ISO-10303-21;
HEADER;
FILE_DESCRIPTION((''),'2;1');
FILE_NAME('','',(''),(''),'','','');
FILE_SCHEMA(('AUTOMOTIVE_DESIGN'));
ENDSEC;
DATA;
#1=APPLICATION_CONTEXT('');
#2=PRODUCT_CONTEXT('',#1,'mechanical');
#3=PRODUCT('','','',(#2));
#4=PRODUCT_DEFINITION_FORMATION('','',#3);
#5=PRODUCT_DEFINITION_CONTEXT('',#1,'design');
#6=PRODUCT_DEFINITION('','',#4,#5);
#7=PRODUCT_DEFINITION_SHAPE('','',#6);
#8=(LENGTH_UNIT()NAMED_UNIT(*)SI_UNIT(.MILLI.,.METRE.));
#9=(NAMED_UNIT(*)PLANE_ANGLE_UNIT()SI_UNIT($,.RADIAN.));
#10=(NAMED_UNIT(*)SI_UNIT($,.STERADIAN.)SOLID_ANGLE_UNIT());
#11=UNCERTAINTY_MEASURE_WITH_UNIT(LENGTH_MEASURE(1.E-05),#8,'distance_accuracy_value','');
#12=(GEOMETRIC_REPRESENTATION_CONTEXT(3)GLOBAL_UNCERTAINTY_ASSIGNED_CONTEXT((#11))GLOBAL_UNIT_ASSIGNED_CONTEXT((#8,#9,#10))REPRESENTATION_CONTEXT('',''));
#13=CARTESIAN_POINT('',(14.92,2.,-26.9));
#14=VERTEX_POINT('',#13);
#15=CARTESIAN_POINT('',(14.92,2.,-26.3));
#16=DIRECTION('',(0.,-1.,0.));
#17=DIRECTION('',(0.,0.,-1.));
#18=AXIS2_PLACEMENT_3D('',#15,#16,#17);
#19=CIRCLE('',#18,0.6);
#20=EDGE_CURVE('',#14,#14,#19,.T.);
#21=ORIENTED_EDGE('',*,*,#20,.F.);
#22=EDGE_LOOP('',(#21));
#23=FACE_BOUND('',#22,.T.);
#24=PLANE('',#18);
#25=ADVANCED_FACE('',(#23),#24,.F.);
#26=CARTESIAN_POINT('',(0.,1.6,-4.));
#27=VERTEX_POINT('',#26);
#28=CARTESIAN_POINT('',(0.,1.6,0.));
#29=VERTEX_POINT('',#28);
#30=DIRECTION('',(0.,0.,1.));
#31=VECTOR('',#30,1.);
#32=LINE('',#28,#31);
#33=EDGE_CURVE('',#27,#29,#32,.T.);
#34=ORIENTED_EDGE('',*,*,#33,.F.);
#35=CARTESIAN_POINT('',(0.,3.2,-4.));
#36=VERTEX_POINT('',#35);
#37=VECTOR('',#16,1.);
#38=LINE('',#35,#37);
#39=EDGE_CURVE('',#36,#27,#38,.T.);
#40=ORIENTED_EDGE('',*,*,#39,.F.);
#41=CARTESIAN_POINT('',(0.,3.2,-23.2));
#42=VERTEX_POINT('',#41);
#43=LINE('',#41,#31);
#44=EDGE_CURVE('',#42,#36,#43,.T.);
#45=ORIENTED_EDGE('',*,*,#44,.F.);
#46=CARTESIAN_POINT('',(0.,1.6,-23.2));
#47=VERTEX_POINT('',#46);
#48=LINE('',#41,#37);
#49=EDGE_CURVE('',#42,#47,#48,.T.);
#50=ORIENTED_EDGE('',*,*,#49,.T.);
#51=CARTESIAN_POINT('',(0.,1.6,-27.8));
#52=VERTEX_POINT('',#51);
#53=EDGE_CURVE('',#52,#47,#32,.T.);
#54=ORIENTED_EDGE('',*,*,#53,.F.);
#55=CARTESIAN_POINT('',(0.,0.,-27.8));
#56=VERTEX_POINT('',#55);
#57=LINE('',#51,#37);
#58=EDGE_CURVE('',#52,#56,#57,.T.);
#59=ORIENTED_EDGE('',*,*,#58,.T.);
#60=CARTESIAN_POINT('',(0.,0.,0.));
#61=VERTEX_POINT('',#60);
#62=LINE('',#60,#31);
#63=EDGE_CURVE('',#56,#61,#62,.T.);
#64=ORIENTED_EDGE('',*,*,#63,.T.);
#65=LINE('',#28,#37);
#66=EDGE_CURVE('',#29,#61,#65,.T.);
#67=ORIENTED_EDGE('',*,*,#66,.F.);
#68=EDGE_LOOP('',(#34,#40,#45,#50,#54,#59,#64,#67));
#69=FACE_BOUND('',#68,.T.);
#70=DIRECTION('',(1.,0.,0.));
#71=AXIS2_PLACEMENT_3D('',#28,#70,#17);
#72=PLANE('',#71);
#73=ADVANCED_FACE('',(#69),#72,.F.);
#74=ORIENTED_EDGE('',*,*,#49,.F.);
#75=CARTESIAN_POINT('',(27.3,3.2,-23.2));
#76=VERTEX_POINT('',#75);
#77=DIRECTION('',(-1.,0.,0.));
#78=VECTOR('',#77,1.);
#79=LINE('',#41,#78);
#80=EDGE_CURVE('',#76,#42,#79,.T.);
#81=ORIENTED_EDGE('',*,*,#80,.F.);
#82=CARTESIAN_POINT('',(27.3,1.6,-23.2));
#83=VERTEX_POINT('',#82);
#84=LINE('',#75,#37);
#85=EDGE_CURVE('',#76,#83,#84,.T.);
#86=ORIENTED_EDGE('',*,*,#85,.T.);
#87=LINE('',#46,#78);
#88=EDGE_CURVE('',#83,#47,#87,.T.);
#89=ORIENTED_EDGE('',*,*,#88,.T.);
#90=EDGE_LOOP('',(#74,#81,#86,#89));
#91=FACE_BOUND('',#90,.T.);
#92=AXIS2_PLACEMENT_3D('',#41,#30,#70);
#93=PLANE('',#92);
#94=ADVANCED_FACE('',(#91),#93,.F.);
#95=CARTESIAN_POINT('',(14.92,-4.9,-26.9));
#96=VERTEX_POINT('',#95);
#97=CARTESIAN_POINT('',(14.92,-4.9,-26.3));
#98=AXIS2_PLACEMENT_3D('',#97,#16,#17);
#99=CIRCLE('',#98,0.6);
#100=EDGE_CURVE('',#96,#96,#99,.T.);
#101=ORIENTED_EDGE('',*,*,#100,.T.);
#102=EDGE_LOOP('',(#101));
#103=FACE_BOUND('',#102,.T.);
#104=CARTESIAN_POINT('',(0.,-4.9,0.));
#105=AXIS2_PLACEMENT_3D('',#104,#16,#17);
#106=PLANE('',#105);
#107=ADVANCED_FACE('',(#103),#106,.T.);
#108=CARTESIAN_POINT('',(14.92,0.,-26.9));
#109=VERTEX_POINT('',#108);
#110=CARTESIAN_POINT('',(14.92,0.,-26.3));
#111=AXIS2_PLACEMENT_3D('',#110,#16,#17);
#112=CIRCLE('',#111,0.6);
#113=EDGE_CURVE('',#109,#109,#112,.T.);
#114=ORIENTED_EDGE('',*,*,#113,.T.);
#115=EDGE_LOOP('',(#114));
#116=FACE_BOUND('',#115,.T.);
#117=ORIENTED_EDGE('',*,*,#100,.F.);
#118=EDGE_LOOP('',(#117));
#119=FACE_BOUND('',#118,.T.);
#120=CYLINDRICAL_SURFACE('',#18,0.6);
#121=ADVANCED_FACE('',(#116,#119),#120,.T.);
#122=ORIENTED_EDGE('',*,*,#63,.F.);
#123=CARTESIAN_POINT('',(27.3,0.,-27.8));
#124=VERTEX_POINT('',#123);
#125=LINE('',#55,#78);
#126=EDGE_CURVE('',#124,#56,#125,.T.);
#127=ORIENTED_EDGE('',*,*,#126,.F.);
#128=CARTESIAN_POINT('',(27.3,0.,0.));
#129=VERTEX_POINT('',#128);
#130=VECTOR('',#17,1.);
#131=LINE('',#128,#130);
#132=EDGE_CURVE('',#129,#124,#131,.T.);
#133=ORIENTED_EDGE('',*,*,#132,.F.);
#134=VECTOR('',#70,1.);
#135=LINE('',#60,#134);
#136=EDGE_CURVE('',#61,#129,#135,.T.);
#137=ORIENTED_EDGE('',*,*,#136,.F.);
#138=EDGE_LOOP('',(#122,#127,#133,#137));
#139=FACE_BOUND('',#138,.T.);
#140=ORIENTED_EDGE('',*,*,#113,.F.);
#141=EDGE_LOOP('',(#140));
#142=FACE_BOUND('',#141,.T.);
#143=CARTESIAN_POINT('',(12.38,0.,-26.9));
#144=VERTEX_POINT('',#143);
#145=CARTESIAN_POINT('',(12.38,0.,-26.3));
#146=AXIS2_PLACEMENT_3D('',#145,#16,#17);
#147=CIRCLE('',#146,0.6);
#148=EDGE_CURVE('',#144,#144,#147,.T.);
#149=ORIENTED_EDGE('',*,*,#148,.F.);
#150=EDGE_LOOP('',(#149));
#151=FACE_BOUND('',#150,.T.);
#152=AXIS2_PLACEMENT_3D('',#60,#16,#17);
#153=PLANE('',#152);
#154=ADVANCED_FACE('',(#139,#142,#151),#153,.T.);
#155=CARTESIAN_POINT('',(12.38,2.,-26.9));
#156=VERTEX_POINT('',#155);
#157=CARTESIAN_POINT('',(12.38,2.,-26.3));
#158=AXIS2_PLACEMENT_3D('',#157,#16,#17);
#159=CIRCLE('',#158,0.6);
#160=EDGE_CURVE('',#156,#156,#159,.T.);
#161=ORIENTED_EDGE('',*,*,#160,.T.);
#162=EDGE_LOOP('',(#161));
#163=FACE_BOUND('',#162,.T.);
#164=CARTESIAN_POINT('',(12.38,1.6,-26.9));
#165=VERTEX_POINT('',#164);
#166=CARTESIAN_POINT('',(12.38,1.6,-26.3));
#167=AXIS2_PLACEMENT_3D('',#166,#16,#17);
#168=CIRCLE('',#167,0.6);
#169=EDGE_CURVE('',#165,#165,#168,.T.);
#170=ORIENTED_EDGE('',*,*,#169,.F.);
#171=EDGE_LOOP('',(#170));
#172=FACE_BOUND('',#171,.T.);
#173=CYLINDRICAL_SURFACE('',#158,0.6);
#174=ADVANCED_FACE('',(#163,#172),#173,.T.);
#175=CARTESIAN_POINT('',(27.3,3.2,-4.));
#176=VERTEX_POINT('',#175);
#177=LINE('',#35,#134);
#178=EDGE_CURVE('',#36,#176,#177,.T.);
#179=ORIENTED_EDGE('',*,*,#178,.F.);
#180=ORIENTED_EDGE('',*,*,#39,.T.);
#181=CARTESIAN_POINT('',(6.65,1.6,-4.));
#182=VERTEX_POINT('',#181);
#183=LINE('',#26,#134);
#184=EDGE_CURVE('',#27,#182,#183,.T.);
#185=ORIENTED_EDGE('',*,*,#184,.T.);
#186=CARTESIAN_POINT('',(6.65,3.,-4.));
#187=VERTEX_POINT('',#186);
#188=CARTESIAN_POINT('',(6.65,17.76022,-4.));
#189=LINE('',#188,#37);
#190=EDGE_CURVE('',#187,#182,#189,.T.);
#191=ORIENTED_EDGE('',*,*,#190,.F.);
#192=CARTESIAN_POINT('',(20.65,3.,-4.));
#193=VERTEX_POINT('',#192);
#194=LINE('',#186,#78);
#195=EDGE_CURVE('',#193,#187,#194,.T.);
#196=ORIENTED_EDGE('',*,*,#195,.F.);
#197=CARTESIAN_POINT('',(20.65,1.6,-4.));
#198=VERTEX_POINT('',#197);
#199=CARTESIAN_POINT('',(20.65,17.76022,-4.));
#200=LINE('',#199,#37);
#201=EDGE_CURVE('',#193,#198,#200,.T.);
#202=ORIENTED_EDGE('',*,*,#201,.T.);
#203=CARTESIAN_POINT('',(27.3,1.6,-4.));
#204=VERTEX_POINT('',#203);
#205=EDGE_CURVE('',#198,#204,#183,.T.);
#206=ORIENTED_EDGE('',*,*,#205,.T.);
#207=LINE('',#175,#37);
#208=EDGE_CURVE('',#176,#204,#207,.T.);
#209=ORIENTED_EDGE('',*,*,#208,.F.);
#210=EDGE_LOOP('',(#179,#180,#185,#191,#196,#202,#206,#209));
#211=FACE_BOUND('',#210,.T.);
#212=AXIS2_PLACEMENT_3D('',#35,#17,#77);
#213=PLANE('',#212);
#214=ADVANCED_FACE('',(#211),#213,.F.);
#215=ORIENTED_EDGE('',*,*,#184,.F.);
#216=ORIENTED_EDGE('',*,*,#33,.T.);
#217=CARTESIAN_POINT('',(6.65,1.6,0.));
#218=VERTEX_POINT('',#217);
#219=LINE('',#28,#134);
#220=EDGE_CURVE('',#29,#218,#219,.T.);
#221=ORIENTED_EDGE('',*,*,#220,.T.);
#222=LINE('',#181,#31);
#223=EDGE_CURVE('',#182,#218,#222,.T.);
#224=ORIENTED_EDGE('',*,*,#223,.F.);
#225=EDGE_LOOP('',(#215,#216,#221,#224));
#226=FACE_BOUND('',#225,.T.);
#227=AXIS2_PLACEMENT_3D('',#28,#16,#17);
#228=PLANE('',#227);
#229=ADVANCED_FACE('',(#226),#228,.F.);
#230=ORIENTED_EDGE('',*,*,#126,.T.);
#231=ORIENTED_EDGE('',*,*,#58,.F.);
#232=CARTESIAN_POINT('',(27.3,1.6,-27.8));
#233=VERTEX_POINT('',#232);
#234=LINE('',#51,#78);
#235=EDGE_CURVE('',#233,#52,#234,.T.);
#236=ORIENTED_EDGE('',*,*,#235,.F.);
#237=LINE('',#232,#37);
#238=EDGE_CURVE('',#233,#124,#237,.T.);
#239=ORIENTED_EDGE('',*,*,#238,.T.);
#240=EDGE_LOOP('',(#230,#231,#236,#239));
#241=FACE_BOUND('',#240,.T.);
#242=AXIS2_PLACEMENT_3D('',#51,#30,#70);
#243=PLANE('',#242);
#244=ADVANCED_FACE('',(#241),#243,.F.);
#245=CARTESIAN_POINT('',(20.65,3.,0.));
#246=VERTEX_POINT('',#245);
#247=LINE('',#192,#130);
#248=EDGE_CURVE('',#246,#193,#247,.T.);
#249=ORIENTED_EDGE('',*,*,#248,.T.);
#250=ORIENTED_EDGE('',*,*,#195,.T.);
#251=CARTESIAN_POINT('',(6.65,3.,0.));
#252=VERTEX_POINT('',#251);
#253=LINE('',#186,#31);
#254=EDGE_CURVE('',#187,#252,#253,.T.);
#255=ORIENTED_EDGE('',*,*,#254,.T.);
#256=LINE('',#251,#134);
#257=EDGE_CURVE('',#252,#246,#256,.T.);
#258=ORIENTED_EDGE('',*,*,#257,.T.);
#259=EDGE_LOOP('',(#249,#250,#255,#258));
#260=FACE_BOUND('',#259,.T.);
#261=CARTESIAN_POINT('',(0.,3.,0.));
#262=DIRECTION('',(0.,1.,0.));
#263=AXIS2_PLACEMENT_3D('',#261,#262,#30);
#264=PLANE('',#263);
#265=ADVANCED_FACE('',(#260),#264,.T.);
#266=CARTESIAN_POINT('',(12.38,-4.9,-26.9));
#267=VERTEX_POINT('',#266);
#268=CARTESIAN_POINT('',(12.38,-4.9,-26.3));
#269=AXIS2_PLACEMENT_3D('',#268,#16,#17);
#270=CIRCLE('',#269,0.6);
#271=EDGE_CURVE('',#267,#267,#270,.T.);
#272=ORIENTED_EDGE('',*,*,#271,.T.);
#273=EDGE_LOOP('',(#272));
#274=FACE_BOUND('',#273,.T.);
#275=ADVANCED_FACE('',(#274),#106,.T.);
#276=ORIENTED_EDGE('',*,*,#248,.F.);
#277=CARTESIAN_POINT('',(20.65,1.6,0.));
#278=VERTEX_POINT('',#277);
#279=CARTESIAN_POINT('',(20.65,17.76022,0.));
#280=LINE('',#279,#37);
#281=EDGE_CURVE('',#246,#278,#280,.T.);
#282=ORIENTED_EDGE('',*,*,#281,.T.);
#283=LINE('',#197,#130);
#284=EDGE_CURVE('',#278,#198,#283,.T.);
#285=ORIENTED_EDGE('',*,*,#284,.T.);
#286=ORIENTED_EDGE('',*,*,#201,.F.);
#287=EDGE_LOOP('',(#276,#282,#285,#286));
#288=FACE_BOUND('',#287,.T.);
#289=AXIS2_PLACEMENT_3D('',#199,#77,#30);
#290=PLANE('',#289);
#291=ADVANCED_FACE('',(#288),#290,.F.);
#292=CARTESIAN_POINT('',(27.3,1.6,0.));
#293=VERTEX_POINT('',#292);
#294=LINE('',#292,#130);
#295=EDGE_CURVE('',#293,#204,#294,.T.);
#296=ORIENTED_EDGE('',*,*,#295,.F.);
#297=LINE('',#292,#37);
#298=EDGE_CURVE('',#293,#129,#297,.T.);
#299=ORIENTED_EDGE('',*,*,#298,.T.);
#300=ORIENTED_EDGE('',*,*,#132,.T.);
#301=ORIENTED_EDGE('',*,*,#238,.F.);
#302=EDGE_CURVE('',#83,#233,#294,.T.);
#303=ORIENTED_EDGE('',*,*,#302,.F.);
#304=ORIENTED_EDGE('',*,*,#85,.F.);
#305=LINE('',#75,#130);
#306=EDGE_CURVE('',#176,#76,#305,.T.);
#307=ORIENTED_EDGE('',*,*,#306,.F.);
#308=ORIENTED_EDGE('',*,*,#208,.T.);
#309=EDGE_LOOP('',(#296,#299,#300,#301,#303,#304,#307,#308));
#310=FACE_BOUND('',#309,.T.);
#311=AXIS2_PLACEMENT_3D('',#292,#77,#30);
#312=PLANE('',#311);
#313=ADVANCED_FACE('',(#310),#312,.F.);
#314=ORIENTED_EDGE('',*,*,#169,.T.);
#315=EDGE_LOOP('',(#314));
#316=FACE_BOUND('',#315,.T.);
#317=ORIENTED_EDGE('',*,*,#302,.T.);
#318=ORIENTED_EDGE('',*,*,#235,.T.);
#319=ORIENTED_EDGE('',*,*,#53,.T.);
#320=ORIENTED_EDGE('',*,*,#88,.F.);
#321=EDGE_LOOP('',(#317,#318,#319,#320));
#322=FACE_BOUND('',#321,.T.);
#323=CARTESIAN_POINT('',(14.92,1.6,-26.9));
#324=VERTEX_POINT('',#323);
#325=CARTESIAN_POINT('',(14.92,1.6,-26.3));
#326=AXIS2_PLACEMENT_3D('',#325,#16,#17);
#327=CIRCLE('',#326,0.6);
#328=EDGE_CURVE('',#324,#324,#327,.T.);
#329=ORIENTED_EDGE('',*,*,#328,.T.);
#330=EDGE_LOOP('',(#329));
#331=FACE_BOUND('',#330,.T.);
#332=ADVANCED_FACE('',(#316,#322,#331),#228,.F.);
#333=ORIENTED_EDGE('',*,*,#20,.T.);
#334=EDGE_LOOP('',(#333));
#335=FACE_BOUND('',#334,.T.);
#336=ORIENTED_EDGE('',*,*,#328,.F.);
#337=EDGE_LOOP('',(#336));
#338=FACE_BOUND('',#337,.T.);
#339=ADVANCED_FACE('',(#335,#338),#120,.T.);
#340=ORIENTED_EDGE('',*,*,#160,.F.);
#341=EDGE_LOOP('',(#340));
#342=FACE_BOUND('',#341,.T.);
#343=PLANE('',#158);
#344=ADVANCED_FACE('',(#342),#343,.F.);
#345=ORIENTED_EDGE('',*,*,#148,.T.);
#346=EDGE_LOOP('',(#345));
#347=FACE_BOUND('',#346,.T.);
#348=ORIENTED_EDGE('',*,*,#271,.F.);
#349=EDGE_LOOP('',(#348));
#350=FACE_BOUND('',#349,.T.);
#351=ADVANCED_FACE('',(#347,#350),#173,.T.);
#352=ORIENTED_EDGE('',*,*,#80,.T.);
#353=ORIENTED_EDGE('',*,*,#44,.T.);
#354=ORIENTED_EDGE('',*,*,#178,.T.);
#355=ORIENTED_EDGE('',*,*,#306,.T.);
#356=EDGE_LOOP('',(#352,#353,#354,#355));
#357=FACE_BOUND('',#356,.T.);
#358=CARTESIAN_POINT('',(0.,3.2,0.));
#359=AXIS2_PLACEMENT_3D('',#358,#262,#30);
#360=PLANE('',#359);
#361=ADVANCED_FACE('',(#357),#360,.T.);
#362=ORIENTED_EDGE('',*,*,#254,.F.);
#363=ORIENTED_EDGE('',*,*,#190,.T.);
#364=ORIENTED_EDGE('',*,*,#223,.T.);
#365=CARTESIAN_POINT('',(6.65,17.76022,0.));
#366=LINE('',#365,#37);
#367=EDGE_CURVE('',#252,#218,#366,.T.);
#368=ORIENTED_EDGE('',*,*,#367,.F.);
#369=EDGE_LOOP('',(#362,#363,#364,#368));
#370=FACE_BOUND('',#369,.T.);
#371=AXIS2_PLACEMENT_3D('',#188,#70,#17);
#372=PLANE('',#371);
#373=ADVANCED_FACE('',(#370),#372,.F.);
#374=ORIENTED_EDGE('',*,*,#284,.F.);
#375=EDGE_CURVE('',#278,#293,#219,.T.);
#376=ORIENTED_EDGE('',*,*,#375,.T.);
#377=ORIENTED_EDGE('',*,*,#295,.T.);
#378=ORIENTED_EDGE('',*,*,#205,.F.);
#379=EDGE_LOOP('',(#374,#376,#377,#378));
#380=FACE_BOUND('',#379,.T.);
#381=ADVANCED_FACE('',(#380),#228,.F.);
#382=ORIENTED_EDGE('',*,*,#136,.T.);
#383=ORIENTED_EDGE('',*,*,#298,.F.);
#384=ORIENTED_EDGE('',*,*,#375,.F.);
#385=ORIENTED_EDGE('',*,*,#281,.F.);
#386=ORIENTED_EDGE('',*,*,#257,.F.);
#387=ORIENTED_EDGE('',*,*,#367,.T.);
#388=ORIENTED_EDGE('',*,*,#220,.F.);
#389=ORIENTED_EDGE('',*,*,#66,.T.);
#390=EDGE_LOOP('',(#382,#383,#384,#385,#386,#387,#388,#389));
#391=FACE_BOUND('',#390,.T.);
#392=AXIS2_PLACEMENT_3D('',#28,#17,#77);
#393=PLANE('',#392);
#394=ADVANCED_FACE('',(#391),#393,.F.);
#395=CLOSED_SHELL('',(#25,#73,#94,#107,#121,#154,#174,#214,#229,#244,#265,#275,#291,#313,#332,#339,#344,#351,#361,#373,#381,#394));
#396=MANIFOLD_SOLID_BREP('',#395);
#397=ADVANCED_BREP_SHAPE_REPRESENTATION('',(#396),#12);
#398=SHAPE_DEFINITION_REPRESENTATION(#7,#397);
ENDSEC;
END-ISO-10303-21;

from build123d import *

# Parameters (mm, degrees)
SKETCH_1_W           = 27.3
SKETCH_1_H           = 27.8
EXTRUDE_1_DEPTH      = 1.6
SKETCH_2_R           = 0.6
EXTRUDE_2_DEPTH      = 4.9
EXTRUDE_2_DEPTH_BACK = 2
SKETCH_3_W           = 27.3
SKETCH_3_H           = 19.2
EXTRUDE_3_DEPTH      = 1.6
SKETCH_4_W           = 14
SKETCH_4_H           = 4
EXTRUDE_4_DEPTH      = 1.4


with BuildPart() as part:
    # 草图1 → 凸台-拉伸1 (new body)
    with BuildSketch(Plane(origin=(0, 0, 0), x_dir=(1, 0, 0), z_dir=(0, 1, 0))):
        with Locations((13.65, 13.9)):
            Rectangle(SKETCH_1_W, SKETCH_1_H)
    extrude(amount=EXTRUDE_1_DEPTH)

    # 草图2 → 凸台-拉伸2 (add, two sides)
    with BuildSketch(Plane.XZ) as extrude_2_sk:
        with Locations((14.92, -26.3)):
            Circle(SKETCH_2_R)
        with Locations((12.38, -26.3)):
            Circle(SKETCH_2_R)
    extrude(amount=EXTRUDE_2_DEPTH)
    extrude(extrude_2_sk.sketch, amount=-EXTRUDE_2_DEPTH_BACK)

    # 草图3 → 凸台-拉伸3 (add)
    with BuildSketch(Plane(origin=(0, 1.6, 0), x_dir=(1, 0, 0), z_dir=(0, 1, 0))):
        with Locations((13.65, 13.6)):
            Rectangle(SKETCH_3_W, SKETCH_3_H)
    extrude(amount=EXTRUDE_3_DEPTH)

    # 草图4 → 凸台-拉伸4 (add)
    with BuildSketch(Plane(origin=(0, 1.6, 0), x_dir=(1, 0, 0), z_dir=(0, 1, 0))):
        with Locations((13.65, 2)):
            Rectangle(SKETCH_4_W, SKETCH_4_H)
    extrude(amount=EXTRUDE_4_DEPTH)


solid = part.part
